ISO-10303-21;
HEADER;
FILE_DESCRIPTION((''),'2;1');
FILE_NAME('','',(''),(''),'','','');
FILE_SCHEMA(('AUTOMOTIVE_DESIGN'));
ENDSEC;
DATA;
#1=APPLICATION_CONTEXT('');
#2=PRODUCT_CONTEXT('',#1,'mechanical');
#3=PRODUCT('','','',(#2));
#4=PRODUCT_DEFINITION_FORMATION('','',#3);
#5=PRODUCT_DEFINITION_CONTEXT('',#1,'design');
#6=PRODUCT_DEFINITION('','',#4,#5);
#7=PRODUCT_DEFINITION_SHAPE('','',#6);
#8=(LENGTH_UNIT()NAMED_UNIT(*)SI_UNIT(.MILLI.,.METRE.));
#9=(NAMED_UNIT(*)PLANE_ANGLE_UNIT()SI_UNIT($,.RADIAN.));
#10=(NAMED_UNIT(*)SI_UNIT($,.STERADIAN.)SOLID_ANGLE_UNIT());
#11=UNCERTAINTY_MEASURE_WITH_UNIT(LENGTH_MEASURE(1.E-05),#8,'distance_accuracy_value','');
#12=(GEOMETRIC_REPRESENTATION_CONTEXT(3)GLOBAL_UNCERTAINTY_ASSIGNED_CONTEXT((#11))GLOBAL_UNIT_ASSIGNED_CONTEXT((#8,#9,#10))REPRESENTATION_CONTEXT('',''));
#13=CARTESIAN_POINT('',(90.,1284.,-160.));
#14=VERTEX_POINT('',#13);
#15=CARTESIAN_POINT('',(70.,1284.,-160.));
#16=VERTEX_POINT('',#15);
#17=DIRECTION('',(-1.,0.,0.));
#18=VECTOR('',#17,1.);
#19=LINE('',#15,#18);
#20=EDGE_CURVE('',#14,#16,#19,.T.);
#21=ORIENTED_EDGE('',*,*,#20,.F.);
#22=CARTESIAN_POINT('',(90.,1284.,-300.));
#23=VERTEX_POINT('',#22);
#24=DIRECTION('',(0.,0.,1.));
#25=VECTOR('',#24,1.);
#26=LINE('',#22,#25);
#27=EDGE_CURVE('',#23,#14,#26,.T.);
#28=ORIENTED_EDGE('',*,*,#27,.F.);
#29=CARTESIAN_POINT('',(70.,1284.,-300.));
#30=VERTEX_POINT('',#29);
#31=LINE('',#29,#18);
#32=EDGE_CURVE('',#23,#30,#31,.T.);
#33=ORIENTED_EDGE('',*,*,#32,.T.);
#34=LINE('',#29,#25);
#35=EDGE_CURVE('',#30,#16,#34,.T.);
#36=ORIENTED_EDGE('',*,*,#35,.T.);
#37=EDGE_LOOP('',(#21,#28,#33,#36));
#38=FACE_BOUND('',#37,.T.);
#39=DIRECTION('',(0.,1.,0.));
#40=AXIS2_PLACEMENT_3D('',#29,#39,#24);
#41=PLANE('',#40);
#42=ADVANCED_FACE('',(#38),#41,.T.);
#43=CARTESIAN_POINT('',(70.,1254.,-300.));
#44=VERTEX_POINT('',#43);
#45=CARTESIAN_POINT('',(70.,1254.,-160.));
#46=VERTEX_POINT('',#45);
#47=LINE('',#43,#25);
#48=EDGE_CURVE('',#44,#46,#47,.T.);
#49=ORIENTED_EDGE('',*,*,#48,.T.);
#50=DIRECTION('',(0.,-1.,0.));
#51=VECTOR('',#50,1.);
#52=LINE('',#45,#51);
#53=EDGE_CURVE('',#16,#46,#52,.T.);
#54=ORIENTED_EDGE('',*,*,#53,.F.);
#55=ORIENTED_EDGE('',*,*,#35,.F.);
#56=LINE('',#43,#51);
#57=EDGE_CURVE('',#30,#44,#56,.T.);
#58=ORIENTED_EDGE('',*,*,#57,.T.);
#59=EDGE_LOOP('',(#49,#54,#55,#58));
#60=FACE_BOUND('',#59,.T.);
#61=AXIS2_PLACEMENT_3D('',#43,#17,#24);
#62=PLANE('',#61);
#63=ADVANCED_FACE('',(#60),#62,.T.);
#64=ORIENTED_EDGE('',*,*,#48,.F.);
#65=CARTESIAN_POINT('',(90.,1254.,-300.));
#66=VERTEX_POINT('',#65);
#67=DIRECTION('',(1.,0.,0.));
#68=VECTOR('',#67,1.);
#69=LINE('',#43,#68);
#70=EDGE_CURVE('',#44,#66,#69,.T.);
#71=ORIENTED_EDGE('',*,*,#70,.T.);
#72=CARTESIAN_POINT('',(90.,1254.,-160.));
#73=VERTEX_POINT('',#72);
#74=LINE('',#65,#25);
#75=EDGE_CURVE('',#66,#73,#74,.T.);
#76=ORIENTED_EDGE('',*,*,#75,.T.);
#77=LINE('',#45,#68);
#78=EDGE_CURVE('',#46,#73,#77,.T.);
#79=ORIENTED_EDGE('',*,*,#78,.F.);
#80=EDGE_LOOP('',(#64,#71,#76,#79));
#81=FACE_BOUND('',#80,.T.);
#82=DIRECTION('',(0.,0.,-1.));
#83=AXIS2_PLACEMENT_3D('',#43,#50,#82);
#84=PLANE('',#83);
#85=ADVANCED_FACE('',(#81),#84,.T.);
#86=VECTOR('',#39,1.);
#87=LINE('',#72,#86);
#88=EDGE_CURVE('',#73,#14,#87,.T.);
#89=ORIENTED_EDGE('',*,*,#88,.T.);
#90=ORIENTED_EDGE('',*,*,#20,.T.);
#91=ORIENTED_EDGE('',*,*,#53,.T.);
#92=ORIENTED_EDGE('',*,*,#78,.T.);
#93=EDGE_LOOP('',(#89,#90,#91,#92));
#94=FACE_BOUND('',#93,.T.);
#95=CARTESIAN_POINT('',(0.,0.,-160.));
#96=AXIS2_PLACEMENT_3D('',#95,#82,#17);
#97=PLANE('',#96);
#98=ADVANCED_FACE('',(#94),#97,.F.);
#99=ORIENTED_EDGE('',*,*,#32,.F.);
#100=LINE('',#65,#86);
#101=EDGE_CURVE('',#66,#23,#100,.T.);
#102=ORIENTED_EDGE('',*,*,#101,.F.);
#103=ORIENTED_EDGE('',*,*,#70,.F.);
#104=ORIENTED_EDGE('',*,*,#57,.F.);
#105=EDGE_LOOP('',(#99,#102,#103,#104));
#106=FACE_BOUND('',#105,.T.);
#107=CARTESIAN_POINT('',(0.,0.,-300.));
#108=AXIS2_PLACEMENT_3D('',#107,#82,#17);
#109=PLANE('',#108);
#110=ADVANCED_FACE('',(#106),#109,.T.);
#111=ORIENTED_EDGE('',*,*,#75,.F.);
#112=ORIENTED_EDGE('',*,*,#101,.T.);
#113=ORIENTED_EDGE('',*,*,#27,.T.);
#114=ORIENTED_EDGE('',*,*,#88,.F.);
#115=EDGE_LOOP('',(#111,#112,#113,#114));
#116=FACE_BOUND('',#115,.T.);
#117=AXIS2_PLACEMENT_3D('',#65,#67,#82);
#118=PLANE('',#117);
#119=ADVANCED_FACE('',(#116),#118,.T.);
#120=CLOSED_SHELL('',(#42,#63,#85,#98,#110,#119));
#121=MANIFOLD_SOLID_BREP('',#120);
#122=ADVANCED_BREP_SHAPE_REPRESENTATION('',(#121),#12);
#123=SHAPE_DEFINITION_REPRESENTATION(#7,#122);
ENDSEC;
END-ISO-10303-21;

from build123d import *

# Parameters (mm, degrees)
PRESS_UC_PENCE_PARMAK_1_1_START = -160
SKETCH1_W                       = 20
SKETCH1_H                       = 30
PRESS_UC_PENCE_PARMAK_1_1_DEPTH = 140


with BuildPart() as part:
    # Sketch1 → PRESS_uc_pence_parmak_1_1 (new body)
    with BuildSketch(Plane.XY.offset(PRESS_UC_PENCE_PARMAK_1_1_START)):
        with Locations((80, 1269)):
            Rectangle(SKETCH1_W, SKETCH1_H)
    extrude(amount=-PRESS_UC_PENCE_PARMAK_1_1_DEPTH)


solid = part.part
